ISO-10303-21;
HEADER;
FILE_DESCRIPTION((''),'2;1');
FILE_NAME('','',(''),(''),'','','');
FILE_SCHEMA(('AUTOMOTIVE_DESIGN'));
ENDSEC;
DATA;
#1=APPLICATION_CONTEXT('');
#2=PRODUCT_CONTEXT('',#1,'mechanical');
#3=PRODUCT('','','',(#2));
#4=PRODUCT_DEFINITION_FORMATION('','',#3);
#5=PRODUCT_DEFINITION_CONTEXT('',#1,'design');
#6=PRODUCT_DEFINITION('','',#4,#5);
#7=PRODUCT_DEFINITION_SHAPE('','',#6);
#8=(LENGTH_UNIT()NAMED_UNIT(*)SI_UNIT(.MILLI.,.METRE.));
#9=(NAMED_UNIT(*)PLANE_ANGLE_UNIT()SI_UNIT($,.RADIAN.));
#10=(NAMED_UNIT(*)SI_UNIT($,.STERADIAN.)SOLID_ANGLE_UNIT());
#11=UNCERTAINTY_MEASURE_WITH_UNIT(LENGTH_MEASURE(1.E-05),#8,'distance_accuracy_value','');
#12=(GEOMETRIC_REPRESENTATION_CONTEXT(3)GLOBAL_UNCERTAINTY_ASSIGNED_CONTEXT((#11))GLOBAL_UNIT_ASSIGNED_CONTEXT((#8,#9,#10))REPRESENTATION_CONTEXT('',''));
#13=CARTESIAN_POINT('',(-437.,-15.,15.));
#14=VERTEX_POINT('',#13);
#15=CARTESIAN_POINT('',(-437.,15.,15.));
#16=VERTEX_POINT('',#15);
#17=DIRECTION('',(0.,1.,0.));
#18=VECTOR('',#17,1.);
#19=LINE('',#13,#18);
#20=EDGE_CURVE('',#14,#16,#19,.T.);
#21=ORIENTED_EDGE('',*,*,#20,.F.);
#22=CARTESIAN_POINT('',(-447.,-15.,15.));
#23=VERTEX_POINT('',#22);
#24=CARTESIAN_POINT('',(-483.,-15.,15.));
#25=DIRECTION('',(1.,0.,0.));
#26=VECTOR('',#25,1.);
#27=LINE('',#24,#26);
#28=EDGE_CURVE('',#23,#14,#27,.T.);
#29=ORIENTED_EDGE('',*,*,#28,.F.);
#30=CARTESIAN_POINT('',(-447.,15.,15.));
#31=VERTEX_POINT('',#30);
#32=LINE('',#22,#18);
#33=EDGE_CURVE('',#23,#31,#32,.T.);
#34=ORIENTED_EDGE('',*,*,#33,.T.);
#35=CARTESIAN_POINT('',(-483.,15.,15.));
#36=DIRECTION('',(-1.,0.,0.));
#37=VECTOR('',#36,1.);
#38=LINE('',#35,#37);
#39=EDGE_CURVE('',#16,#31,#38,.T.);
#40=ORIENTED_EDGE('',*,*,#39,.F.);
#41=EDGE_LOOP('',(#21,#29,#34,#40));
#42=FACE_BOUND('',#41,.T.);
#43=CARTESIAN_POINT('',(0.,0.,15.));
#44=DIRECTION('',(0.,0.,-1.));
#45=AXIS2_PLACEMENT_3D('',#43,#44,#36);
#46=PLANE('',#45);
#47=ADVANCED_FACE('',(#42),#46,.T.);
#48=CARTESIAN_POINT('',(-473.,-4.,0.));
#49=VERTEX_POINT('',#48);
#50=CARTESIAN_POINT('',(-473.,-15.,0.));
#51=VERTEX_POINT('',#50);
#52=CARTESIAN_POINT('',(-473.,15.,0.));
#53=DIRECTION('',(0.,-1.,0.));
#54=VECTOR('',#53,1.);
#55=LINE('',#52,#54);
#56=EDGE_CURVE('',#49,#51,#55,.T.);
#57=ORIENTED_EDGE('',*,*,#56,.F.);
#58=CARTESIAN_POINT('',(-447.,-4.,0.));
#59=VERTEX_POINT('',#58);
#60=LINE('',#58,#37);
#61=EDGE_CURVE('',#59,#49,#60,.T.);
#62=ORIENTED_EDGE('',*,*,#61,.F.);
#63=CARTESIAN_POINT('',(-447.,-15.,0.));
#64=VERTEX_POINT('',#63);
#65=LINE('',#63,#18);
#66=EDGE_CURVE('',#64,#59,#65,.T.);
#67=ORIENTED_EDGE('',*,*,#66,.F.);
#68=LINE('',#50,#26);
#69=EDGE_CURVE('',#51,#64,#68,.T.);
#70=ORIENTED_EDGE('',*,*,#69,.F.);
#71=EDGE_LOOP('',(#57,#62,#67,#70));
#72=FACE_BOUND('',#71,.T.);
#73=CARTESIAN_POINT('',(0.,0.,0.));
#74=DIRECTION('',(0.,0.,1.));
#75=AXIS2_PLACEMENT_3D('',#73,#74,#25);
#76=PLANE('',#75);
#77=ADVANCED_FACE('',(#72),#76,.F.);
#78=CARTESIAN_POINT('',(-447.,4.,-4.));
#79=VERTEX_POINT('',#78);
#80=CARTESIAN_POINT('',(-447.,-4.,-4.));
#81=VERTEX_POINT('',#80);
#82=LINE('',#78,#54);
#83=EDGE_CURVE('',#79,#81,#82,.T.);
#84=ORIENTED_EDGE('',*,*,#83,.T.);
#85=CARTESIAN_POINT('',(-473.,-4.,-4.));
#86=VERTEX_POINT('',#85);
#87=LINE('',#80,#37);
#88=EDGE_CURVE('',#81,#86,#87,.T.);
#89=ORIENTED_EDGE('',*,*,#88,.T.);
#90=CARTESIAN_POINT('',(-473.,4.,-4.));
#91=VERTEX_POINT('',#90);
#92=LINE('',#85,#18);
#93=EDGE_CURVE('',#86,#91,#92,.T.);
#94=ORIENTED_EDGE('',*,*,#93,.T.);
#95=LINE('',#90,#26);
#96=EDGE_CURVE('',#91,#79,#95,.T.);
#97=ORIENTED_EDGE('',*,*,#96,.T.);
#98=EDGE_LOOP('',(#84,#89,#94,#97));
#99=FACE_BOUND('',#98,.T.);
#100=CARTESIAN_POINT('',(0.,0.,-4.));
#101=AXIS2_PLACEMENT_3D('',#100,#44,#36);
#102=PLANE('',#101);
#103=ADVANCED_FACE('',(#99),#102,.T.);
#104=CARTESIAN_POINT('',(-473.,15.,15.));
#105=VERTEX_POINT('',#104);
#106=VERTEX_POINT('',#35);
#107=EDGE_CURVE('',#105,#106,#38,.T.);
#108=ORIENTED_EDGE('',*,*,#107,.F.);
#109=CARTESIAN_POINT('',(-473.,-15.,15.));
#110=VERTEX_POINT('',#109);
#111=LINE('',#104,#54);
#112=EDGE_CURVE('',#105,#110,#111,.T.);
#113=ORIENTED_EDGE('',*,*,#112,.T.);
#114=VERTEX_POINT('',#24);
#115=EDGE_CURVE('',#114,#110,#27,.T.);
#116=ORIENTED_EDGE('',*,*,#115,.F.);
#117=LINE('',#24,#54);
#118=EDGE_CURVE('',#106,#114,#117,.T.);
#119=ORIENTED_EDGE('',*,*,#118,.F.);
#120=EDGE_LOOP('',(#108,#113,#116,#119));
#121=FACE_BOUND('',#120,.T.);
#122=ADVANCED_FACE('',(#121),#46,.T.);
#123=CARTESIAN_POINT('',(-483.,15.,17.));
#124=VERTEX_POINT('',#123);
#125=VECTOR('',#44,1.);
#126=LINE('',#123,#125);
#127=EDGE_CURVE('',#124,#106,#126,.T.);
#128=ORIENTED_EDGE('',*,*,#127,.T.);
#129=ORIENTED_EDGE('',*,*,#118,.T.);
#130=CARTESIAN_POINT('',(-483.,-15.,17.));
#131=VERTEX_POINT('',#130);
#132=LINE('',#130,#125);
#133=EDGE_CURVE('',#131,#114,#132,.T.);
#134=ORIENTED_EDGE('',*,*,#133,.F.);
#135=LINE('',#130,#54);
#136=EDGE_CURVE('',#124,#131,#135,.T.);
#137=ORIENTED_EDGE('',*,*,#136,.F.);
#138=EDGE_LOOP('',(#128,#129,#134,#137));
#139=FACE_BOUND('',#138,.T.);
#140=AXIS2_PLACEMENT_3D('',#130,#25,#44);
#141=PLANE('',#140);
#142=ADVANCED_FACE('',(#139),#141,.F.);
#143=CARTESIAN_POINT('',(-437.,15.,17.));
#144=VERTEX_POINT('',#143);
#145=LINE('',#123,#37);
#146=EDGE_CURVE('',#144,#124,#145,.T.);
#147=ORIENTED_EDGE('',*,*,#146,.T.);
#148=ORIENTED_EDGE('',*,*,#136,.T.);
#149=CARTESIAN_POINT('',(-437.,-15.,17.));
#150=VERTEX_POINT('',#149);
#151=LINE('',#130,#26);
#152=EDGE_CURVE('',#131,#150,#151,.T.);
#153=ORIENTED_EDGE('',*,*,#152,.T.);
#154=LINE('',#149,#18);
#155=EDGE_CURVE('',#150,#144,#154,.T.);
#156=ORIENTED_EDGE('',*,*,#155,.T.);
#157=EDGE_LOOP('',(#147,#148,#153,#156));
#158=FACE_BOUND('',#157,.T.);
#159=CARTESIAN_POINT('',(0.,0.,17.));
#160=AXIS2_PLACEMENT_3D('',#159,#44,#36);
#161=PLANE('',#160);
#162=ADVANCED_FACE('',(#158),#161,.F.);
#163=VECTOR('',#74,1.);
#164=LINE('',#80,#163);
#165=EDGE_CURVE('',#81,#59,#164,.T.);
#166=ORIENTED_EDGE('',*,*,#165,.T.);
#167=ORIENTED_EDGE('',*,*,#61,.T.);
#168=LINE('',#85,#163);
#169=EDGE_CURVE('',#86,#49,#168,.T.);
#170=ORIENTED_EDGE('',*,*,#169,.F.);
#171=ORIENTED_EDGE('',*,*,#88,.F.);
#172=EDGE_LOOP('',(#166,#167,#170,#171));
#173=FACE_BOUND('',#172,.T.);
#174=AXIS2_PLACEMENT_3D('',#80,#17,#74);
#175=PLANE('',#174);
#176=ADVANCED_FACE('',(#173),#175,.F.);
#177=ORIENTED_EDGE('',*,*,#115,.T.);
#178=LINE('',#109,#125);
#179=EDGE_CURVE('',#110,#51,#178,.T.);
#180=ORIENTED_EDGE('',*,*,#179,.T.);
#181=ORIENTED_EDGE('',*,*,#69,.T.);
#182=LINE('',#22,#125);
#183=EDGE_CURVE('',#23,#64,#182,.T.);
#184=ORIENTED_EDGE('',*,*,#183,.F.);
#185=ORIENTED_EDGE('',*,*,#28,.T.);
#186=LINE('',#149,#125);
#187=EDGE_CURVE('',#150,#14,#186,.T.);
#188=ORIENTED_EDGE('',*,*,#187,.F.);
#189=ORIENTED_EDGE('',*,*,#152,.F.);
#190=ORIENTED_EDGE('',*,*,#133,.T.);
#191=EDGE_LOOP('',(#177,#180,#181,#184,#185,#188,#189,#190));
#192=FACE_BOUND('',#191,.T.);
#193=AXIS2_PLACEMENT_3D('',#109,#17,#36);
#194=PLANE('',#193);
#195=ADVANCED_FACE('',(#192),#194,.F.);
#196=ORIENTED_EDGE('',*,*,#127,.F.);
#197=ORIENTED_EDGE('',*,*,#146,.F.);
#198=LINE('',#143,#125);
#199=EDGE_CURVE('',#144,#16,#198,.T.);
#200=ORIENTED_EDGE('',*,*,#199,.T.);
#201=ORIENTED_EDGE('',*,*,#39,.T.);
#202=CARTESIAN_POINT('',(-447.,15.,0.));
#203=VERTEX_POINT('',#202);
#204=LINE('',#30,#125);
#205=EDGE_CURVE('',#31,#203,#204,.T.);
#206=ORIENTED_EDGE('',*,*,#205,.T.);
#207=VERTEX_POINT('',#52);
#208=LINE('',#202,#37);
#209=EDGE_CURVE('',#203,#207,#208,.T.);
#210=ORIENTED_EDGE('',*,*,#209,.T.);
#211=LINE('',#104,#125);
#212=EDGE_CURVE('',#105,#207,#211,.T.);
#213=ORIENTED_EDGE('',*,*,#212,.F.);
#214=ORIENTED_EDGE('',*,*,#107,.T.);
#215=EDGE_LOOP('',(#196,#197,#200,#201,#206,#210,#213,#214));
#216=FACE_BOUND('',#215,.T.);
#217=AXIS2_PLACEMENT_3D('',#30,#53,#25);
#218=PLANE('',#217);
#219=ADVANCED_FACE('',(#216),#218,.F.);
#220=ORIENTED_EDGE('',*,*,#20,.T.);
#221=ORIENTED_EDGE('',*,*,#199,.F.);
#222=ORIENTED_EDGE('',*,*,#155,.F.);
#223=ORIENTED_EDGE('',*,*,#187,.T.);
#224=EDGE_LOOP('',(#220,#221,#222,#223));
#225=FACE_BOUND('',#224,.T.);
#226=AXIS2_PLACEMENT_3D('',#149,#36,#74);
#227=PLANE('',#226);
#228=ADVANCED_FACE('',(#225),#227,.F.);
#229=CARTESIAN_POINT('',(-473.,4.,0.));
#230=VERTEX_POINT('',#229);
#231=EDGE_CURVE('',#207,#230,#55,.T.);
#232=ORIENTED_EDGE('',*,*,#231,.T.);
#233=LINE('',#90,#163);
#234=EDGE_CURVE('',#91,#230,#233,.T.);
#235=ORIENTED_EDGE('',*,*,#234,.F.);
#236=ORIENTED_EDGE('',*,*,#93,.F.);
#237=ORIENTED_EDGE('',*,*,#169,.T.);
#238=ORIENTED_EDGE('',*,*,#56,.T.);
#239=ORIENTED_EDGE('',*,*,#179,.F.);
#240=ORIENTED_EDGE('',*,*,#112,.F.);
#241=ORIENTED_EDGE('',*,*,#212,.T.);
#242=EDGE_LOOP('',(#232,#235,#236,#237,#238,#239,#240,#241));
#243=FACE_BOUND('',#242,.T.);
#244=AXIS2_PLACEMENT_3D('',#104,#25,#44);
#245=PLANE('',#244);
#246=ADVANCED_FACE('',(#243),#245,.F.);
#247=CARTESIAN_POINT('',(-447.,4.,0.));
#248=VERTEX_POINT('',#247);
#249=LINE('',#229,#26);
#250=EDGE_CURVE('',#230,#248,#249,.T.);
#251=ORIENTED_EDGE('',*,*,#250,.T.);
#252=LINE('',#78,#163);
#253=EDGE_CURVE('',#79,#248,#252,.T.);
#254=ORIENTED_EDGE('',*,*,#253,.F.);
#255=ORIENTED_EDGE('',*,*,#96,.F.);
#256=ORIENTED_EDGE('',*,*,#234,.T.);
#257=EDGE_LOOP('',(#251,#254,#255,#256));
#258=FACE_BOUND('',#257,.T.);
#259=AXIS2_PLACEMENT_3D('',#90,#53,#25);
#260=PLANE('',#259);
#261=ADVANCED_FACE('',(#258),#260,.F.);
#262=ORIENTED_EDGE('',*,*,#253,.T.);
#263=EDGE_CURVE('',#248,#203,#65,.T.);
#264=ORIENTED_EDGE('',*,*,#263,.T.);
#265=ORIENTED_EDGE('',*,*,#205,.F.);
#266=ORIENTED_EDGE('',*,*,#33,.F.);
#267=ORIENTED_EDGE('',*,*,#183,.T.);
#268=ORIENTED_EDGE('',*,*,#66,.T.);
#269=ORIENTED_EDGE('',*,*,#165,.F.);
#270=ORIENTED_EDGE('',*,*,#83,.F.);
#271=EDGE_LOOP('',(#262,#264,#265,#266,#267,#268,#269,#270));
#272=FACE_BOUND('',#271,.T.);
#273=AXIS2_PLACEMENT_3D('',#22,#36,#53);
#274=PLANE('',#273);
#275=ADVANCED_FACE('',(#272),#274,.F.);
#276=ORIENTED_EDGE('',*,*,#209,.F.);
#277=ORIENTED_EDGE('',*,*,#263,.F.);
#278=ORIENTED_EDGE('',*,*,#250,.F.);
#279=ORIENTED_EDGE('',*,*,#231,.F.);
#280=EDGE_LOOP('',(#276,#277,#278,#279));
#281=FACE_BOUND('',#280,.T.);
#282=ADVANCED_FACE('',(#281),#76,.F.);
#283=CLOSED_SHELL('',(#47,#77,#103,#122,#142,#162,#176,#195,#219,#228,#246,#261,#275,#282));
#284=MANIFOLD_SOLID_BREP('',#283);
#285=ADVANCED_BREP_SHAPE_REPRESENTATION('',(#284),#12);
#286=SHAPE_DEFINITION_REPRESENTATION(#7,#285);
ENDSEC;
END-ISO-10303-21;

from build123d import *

# Parameters (mm, degrees)
SKETCH_1_W      = 26
SKETCH_1_H      = 30
EXTRUDE_1_DEPTH = 15
SKETCH_2_W      = 46
SKETCH_2_H      = 30
EXTRUDE_2_DEPTH = 2
SKETCH_4_W      = 26
SKETCH_4_H      = 8
EXTRUDE_3_DEPTH = 4


with BuildPart() as part:
    # 草图1 → 凸台-拉伸1 (new body)
    with BuildSketch(Plane.XY):
        with Locations((-460, 0)):
            Rectangle(SKETCH_1_W, SKETCH_1_H)
    extrude(amount=EXTRUDE_1_DEPTH)

    # 草图2 → 凸台-拉伸2 (add)
    with BuildSketch(Plane.XY.offset(15)):
        with Locations((-460, 0)):
            Rectangle(SKETCH_2_W, SKETCH_2_H)
    extrude(amount=EXTRUDE_2_DEPTH)

    # 草图4 → 凸台-拉伸3 (add)
    with BuildSketch(Plane(origin=(0, 0, 0), x_dir=(-1, 0, 0), z_dir=(0, 0, -1))):
        with Locations((460, 0)):
            Rectangle(SKETCH_4_W, SKETCH_4_H)
    extrude(amount=EXTRUDE_3_DEPTH)


solid = part.part
